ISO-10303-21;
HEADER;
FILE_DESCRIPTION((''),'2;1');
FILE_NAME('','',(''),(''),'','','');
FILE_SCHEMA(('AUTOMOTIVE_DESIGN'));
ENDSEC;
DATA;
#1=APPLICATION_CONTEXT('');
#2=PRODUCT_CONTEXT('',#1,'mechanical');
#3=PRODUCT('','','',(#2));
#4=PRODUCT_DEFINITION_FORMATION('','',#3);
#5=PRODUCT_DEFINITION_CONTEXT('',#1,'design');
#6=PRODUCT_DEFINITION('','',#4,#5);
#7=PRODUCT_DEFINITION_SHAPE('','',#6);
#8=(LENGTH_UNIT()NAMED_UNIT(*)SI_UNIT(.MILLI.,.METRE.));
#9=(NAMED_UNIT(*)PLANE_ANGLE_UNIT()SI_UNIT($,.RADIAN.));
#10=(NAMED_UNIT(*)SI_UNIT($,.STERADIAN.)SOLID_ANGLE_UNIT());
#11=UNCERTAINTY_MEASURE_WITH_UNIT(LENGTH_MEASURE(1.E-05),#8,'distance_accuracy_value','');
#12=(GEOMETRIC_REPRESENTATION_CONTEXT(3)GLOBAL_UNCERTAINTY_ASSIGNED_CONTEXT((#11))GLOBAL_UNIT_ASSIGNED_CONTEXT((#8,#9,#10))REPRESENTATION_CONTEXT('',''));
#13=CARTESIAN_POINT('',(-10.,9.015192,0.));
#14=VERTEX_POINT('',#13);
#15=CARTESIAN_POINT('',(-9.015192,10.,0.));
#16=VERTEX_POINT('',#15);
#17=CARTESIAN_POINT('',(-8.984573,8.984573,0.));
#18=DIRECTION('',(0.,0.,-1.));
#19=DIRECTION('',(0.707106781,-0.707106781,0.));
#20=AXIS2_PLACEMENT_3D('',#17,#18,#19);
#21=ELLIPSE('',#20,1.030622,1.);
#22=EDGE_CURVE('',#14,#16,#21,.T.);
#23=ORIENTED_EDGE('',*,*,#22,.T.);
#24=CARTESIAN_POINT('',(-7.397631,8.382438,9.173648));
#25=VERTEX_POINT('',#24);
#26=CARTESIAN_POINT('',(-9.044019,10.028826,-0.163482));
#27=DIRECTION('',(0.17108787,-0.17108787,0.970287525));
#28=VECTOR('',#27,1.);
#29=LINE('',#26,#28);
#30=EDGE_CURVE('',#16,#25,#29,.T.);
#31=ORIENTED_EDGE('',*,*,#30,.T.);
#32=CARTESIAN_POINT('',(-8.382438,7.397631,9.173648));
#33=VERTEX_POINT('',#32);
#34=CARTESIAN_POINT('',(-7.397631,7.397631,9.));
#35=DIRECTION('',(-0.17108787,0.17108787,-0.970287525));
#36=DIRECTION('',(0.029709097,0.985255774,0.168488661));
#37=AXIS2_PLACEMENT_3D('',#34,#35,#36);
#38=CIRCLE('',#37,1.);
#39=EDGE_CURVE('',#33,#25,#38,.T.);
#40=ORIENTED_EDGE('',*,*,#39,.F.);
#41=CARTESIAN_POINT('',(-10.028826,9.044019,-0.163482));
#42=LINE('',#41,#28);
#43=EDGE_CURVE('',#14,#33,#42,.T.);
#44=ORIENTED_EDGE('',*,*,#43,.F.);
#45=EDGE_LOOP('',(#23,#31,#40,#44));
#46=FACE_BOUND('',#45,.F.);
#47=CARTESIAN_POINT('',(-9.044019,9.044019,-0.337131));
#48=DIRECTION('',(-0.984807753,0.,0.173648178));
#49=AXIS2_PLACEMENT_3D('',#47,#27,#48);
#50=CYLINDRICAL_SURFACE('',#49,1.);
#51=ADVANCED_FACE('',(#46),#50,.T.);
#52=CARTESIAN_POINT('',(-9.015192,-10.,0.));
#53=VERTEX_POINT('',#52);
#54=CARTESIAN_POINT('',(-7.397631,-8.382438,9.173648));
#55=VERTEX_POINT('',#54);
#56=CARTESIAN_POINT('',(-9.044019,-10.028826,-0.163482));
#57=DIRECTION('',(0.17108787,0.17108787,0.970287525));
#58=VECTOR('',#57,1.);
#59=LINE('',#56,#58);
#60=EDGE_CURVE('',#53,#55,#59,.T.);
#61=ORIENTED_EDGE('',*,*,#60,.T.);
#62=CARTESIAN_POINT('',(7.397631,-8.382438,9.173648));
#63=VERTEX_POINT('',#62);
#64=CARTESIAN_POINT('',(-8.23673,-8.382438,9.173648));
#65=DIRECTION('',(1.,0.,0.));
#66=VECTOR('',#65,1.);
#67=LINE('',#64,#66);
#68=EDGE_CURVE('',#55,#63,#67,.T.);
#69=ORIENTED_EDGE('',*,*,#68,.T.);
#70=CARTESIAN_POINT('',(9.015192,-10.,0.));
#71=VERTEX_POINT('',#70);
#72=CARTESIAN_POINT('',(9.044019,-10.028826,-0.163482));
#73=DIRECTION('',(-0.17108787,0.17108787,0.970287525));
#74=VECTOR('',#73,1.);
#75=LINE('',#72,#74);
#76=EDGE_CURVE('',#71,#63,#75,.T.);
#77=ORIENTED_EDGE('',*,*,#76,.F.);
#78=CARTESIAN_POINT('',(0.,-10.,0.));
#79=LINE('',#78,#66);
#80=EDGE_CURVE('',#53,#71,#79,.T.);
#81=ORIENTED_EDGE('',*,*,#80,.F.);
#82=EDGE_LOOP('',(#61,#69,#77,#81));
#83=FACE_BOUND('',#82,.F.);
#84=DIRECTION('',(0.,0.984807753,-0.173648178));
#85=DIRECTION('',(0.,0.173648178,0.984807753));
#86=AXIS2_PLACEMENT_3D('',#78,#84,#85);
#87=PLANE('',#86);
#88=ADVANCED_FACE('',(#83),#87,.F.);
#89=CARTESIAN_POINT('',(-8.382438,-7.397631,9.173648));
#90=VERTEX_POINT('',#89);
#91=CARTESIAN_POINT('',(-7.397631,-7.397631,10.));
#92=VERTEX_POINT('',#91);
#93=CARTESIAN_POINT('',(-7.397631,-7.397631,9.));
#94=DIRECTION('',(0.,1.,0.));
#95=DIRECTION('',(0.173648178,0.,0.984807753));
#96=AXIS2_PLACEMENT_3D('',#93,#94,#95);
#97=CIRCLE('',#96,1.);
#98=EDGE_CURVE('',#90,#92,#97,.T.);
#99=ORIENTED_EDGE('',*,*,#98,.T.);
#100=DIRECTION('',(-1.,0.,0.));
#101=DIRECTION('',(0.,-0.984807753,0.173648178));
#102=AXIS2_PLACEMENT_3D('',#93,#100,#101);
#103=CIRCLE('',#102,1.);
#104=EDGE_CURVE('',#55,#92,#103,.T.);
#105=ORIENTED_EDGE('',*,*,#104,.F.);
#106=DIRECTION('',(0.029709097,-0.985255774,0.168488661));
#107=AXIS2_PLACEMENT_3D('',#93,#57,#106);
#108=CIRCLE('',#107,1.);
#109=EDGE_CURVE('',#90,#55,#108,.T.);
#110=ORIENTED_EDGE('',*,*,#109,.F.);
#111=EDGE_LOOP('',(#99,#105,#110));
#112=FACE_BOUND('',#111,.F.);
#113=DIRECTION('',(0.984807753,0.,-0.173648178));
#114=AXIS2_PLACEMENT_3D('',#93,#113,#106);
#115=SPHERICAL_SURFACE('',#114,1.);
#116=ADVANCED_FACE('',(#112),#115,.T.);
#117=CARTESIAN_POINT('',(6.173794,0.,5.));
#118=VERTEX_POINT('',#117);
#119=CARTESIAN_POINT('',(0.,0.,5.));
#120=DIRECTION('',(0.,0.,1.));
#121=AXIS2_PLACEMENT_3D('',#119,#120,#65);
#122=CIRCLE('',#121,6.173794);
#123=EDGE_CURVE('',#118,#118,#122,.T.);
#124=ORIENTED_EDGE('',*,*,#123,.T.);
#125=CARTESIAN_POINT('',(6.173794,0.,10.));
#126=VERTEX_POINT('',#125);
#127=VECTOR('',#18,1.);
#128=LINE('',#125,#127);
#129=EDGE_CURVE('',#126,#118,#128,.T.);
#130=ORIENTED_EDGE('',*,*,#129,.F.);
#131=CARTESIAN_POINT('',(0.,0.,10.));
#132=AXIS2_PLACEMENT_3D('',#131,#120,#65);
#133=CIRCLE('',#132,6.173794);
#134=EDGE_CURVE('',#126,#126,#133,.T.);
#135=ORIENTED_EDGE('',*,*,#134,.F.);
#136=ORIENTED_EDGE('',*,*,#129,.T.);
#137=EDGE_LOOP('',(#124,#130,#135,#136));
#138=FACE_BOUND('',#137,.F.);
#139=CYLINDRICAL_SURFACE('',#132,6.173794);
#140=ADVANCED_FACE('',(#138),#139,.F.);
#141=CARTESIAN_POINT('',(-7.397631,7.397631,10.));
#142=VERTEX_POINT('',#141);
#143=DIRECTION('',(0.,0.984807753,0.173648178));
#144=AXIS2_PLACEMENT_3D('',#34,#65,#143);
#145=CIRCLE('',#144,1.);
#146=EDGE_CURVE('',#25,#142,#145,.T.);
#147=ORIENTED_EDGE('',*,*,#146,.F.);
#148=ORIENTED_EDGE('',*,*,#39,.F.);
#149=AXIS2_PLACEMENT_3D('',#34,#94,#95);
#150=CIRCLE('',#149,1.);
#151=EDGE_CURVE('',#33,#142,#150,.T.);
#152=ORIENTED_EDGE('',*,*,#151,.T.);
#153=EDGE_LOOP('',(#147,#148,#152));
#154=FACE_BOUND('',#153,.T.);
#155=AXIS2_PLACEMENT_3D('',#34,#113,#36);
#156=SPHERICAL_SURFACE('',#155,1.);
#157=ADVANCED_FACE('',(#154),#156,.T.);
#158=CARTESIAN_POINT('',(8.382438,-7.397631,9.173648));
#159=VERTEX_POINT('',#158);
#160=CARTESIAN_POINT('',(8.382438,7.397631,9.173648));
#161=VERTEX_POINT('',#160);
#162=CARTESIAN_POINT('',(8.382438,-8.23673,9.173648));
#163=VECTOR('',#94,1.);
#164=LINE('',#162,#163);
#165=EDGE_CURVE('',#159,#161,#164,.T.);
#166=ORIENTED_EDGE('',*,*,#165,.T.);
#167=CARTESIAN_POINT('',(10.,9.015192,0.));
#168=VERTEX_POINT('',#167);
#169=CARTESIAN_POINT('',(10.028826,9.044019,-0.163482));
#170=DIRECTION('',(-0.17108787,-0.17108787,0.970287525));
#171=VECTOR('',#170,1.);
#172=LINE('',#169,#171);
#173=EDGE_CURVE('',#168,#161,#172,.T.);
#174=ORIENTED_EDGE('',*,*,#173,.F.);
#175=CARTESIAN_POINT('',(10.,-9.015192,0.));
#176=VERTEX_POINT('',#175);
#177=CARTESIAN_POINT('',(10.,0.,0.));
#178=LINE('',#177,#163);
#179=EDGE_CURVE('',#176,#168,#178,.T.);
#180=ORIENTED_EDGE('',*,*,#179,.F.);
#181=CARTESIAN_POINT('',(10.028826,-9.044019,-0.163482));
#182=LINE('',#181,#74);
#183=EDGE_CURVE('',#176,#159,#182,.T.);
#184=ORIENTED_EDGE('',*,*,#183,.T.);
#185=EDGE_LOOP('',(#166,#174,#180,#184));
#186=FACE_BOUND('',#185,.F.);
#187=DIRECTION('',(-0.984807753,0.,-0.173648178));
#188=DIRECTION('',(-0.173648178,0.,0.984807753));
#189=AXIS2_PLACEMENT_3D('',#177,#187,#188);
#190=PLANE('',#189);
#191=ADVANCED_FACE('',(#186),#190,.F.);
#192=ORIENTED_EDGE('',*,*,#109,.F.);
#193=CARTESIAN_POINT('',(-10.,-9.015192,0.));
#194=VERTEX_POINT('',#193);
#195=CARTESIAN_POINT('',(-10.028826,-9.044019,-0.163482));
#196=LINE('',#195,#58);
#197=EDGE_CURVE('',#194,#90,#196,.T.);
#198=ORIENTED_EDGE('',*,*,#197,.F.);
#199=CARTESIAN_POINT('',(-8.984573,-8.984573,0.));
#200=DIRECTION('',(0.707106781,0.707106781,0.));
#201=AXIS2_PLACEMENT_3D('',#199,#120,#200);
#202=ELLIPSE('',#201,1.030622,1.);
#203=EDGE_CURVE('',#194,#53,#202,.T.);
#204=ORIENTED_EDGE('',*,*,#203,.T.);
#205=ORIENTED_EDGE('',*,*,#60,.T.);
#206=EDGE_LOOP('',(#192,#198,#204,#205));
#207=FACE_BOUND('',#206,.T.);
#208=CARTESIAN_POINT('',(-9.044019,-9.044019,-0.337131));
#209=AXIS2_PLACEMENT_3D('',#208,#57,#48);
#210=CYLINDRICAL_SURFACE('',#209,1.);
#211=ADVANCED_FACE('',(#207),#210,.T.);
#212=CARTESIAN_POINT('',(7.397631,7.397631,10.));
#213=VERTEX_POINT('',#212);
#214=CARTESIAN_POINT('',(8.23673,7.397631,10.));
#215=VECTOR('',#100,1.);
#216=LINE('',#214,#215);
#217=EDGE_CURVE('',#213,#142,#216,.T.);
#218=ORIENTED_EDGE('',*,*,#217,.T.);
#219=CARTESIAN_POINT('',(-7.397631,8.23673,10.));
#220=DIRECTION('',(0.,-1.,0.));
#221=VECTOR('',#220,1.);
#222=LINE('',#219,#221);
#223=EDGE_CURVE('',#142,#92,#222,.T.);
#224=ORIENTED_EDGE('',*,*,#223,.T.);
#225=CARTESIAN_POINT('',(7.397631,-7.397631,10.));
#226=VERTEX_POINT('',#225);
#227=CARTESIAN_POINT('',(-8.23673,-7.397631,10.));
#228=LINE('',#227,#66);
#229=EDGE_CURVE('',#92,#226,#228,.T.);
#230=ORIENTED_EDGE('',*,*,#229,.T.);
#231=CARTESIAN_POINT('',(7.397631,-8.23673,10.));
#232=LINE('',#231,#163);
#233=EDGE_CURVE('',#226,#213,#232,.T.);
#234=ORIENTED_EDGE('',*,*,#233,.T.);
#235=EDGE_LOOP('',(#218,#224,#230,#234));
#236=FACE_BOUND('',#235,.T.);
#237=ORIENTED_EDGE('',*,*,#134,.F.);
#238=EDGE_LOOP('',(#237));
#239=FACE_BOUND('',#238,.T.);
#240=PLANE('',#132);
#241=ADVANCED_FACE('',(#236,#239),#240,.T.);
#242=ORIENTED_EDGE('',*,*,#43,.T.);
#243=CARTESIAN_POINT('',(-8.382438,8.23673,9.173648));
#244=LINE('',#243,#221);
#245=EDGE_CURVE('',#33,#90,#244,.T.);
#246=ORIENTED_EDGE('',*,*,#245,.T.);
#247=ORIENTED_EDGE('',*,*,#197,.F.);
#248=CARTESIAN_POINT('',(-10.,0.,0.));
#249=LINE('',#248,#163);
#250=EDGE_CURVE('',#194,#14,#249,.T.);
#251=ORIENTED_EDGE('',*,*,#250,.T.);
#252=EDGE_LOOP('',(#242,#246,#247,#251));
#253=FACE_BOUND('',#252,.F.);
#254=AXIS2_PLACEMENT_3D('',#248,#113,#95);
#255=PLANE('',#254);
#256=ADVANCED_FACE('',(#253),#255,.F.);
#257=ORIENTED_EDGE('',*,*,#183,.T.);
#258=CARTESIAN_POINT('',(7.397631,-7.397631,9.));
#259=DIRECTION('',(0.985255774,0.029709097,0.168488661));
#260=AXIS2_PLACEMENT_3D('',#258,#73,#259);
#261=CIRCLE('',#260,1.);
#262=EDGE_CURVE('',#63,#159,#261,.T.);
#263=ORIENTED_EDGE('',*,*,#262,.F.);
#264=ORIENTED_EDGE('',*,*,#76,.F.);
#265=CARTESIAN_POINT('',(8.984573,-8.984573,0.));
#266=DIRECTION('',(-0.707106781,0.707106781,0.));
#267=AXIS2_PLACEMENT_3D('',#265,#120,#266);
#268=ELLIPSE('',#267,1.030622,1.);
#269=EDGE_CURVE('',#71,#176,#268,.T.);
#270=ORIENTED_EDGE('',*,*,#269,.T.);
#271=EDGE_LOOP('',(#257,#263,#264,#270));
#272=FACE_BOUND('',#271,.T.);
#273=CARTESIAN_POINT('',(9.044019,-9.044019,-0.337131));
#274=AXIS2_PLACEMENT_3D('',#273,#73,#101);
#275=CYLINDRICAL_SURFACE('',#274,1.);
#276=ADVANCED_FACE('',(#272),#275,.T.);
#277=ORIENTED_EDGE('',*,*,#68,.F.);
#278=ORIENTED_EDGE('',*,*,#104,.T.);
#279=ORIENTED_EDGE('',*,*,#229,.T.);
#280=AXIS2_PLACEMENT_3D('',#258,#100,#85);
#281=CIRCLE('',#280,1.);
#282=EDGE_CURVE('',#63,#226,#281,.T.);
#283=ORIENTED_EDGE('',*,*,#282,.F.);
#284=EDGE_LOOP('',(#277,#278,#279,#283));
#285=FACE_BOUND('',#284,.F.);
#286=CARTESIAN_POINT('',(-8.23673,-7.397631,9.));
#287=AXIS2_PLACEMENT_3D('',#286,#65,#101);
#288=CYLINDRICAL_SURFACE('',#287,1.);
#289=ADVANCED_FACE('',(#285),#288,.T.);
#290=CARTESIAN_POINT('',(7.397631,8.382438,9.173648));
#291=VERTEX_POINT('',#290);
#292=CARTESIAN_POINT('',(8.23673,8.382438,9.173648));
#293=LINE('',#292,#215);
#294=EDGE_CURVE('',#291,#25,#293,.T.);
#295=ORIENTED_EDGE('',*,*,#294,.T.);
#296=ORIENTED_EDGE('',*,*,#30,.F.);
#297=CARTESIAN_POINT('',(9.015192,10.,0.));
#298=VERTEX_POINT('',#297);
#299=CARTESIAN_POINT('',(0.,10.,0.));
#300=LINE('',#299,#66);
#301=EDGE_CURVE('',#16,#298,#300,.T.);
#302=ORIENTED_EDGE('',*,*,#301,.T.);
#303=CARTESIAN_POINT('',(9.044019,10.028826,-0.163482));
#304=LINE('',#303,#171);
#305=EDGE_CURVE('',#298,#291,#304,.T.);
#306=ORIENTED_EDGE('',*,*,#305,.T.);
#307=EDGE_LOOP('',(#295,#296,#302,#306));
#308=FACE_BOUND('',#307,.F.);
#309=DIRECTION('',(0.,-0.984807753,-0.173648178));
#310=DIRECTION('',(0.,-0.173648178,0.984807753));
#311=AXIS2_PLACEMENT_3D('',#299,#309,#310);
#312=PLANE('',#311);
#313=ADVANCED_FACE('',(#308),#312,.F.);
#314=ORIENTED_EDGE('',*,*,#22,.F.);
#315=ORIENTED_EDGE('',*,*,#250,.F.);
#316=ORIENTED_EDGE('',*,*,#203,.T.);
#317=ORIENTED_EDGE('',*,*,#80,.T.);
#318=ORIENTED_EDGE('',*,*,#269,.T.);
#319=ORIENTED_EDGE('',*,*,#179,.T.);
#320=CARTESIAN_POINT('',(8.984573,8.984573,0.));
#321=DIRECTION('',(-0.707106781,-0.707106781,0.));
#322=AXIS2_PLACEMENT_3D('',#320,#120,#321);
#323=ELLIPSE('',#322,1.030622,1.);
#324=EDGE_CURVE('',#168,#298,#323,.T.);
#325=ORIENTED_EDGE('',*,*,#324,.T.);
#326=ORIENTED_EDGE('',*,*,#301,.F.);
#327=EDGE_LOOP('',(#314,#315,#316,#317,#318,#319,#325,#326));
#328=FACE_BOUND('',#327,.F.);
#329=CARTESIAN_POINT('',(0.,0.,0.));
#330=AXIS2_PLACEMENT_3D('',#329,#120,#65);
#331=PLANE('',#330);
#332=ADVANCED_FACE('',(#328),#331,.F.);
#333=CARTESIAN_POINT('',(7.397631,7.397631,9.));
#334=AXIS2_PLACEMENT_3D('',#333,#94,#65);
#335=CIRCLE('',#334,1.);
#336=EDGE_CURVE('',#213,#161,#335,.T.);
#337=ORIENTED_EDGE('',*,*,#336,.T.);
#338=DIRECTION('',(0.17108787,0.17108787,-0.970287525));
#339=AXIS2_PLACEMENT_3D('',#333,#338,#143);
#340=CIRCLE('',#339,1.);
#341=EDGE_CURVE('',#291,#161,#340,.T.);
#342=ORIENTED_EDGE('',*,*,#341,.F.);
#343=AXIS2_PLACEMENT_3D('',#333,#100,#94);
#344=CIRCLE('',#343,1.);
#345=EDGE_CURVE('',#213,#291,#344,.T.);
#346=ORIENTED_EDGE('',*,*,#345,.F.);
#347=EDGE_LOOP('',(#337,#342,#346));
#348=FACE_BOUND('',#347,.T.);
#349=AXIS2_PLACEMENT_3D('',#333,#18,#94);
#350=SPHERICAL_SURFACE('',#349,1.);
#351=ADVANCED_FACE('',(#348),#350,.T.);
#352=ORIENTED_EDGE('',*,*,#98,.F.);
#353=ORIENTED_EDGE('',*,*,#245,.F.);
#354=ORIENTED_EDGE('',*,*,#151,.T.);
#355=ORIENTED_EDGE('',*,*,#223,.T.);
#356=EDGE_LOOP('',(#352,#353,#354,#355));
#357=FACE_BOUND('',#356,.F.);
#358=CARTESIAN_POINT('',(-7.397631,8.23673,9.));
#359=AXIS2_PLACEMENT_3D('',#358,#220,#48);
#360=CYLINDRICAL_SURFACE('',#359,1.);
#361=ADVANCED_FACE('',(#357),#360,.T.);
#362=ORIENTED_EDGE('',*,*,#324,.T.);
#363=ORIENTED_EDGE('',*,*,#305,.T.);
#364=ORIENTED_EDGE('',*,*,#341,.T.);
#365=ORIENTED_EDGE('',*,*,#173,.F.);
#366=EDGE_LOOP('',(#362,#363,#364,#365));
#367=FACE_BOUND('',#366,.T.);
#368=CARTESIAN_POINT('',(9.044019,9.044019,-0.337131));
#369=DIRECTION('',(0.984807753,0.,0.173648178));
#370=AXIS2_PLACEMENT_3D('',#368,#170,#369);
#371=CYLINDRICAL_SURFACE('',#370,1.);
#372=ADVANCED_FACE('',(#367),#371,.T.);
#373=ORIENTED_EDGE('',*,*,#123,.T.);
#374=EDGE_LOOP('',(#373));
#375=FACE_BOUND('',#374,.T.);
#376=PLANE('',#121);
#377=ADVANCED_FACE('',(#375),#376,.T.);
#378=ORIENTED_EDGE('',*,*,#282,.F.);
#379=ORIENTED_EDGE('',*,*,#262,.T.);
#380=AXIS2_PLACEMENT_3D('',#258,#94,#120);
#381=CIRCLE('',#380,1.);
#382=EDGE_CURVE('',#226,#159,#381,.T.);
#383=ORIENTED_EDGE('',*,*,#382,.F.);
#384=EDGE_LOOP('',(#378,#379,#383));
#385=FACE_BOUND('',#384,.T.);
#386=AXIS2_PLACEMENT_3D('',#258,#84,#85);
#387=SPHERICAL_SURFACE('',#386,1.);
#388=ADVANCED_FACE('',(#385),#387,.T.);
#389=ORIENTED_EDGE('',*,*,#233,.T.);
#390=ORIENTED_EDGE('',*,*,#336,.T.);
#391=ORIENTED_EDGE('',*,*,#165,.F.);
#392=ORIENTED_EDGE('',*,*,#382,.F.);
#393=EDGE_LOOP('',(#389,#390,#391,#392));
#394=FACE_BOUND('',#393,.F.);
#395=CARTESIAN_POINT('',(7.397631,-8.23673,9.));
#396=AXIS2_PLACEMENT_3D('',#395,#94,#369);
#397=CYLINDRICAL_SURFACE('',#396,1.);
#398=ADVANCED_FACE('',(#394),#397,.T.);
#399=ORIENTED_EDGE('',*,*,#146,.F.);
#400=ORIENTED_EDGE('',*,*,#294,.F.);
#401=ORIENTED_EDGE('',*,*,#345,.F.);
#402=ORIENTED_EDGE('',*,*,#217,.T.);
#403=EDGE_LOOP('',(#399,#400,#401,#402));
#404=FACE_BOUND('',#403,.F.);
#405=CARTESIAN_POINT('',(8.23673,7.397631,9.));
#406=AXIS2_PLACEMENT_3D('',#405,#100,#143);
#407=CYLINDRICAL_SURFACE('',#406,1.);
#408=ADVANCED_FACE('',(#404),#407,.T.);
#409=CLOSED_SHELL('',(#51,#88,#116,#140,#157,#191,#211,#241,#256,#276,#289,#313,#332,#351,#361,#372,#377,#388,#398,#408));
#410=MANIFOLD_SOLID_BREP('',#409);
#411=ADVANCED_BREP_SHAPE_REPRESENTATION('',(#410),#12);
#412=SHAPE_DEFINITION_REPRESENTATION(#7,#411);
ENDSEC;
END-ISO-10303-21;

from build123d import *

# Parameters (mm, degrees)
F0_W     = 20
F0_H     = 20
F1_DEPTH = 10
F1_TAPER = 10
F2_R     = 6.173794391
F3_DEPTH = 5
F4_R     = 1


with BuildPart() as f1:
    # F0 (on Top) → F1 (new body)
    with BuildSketch(Plane.XY):
        Rectangle(F0_W, F0_H)
    extrude(amount=F1_DEPTH, taper=F1_TAPER)

    # F2 (on face) → F3 (cut)
    with BuildSketch(Plane.XY.offset(10)):
        Circle(F2_R)
    extrude(amount=-F3_DEPTH, mode=Mode.SUBTRACT)

    # F4
    f4_edges = [f1.edges().sort_by_distance(p)[0] for p in [
        (9.118365, 9.118365, 5),
        (0, 8.23673, 10),
        (8.23673, 0, 10),
        (-9.118365, 9.118365, 5),
        (0, -8.23673, 10),
        (9.118365, -9.118365, 5),
        (-9.118365, -9.118365, 5),
        (-8.23673, 0, 10),
    ]]
    fillet(f4_edges, radius=F4_R)


solid = f1.part
